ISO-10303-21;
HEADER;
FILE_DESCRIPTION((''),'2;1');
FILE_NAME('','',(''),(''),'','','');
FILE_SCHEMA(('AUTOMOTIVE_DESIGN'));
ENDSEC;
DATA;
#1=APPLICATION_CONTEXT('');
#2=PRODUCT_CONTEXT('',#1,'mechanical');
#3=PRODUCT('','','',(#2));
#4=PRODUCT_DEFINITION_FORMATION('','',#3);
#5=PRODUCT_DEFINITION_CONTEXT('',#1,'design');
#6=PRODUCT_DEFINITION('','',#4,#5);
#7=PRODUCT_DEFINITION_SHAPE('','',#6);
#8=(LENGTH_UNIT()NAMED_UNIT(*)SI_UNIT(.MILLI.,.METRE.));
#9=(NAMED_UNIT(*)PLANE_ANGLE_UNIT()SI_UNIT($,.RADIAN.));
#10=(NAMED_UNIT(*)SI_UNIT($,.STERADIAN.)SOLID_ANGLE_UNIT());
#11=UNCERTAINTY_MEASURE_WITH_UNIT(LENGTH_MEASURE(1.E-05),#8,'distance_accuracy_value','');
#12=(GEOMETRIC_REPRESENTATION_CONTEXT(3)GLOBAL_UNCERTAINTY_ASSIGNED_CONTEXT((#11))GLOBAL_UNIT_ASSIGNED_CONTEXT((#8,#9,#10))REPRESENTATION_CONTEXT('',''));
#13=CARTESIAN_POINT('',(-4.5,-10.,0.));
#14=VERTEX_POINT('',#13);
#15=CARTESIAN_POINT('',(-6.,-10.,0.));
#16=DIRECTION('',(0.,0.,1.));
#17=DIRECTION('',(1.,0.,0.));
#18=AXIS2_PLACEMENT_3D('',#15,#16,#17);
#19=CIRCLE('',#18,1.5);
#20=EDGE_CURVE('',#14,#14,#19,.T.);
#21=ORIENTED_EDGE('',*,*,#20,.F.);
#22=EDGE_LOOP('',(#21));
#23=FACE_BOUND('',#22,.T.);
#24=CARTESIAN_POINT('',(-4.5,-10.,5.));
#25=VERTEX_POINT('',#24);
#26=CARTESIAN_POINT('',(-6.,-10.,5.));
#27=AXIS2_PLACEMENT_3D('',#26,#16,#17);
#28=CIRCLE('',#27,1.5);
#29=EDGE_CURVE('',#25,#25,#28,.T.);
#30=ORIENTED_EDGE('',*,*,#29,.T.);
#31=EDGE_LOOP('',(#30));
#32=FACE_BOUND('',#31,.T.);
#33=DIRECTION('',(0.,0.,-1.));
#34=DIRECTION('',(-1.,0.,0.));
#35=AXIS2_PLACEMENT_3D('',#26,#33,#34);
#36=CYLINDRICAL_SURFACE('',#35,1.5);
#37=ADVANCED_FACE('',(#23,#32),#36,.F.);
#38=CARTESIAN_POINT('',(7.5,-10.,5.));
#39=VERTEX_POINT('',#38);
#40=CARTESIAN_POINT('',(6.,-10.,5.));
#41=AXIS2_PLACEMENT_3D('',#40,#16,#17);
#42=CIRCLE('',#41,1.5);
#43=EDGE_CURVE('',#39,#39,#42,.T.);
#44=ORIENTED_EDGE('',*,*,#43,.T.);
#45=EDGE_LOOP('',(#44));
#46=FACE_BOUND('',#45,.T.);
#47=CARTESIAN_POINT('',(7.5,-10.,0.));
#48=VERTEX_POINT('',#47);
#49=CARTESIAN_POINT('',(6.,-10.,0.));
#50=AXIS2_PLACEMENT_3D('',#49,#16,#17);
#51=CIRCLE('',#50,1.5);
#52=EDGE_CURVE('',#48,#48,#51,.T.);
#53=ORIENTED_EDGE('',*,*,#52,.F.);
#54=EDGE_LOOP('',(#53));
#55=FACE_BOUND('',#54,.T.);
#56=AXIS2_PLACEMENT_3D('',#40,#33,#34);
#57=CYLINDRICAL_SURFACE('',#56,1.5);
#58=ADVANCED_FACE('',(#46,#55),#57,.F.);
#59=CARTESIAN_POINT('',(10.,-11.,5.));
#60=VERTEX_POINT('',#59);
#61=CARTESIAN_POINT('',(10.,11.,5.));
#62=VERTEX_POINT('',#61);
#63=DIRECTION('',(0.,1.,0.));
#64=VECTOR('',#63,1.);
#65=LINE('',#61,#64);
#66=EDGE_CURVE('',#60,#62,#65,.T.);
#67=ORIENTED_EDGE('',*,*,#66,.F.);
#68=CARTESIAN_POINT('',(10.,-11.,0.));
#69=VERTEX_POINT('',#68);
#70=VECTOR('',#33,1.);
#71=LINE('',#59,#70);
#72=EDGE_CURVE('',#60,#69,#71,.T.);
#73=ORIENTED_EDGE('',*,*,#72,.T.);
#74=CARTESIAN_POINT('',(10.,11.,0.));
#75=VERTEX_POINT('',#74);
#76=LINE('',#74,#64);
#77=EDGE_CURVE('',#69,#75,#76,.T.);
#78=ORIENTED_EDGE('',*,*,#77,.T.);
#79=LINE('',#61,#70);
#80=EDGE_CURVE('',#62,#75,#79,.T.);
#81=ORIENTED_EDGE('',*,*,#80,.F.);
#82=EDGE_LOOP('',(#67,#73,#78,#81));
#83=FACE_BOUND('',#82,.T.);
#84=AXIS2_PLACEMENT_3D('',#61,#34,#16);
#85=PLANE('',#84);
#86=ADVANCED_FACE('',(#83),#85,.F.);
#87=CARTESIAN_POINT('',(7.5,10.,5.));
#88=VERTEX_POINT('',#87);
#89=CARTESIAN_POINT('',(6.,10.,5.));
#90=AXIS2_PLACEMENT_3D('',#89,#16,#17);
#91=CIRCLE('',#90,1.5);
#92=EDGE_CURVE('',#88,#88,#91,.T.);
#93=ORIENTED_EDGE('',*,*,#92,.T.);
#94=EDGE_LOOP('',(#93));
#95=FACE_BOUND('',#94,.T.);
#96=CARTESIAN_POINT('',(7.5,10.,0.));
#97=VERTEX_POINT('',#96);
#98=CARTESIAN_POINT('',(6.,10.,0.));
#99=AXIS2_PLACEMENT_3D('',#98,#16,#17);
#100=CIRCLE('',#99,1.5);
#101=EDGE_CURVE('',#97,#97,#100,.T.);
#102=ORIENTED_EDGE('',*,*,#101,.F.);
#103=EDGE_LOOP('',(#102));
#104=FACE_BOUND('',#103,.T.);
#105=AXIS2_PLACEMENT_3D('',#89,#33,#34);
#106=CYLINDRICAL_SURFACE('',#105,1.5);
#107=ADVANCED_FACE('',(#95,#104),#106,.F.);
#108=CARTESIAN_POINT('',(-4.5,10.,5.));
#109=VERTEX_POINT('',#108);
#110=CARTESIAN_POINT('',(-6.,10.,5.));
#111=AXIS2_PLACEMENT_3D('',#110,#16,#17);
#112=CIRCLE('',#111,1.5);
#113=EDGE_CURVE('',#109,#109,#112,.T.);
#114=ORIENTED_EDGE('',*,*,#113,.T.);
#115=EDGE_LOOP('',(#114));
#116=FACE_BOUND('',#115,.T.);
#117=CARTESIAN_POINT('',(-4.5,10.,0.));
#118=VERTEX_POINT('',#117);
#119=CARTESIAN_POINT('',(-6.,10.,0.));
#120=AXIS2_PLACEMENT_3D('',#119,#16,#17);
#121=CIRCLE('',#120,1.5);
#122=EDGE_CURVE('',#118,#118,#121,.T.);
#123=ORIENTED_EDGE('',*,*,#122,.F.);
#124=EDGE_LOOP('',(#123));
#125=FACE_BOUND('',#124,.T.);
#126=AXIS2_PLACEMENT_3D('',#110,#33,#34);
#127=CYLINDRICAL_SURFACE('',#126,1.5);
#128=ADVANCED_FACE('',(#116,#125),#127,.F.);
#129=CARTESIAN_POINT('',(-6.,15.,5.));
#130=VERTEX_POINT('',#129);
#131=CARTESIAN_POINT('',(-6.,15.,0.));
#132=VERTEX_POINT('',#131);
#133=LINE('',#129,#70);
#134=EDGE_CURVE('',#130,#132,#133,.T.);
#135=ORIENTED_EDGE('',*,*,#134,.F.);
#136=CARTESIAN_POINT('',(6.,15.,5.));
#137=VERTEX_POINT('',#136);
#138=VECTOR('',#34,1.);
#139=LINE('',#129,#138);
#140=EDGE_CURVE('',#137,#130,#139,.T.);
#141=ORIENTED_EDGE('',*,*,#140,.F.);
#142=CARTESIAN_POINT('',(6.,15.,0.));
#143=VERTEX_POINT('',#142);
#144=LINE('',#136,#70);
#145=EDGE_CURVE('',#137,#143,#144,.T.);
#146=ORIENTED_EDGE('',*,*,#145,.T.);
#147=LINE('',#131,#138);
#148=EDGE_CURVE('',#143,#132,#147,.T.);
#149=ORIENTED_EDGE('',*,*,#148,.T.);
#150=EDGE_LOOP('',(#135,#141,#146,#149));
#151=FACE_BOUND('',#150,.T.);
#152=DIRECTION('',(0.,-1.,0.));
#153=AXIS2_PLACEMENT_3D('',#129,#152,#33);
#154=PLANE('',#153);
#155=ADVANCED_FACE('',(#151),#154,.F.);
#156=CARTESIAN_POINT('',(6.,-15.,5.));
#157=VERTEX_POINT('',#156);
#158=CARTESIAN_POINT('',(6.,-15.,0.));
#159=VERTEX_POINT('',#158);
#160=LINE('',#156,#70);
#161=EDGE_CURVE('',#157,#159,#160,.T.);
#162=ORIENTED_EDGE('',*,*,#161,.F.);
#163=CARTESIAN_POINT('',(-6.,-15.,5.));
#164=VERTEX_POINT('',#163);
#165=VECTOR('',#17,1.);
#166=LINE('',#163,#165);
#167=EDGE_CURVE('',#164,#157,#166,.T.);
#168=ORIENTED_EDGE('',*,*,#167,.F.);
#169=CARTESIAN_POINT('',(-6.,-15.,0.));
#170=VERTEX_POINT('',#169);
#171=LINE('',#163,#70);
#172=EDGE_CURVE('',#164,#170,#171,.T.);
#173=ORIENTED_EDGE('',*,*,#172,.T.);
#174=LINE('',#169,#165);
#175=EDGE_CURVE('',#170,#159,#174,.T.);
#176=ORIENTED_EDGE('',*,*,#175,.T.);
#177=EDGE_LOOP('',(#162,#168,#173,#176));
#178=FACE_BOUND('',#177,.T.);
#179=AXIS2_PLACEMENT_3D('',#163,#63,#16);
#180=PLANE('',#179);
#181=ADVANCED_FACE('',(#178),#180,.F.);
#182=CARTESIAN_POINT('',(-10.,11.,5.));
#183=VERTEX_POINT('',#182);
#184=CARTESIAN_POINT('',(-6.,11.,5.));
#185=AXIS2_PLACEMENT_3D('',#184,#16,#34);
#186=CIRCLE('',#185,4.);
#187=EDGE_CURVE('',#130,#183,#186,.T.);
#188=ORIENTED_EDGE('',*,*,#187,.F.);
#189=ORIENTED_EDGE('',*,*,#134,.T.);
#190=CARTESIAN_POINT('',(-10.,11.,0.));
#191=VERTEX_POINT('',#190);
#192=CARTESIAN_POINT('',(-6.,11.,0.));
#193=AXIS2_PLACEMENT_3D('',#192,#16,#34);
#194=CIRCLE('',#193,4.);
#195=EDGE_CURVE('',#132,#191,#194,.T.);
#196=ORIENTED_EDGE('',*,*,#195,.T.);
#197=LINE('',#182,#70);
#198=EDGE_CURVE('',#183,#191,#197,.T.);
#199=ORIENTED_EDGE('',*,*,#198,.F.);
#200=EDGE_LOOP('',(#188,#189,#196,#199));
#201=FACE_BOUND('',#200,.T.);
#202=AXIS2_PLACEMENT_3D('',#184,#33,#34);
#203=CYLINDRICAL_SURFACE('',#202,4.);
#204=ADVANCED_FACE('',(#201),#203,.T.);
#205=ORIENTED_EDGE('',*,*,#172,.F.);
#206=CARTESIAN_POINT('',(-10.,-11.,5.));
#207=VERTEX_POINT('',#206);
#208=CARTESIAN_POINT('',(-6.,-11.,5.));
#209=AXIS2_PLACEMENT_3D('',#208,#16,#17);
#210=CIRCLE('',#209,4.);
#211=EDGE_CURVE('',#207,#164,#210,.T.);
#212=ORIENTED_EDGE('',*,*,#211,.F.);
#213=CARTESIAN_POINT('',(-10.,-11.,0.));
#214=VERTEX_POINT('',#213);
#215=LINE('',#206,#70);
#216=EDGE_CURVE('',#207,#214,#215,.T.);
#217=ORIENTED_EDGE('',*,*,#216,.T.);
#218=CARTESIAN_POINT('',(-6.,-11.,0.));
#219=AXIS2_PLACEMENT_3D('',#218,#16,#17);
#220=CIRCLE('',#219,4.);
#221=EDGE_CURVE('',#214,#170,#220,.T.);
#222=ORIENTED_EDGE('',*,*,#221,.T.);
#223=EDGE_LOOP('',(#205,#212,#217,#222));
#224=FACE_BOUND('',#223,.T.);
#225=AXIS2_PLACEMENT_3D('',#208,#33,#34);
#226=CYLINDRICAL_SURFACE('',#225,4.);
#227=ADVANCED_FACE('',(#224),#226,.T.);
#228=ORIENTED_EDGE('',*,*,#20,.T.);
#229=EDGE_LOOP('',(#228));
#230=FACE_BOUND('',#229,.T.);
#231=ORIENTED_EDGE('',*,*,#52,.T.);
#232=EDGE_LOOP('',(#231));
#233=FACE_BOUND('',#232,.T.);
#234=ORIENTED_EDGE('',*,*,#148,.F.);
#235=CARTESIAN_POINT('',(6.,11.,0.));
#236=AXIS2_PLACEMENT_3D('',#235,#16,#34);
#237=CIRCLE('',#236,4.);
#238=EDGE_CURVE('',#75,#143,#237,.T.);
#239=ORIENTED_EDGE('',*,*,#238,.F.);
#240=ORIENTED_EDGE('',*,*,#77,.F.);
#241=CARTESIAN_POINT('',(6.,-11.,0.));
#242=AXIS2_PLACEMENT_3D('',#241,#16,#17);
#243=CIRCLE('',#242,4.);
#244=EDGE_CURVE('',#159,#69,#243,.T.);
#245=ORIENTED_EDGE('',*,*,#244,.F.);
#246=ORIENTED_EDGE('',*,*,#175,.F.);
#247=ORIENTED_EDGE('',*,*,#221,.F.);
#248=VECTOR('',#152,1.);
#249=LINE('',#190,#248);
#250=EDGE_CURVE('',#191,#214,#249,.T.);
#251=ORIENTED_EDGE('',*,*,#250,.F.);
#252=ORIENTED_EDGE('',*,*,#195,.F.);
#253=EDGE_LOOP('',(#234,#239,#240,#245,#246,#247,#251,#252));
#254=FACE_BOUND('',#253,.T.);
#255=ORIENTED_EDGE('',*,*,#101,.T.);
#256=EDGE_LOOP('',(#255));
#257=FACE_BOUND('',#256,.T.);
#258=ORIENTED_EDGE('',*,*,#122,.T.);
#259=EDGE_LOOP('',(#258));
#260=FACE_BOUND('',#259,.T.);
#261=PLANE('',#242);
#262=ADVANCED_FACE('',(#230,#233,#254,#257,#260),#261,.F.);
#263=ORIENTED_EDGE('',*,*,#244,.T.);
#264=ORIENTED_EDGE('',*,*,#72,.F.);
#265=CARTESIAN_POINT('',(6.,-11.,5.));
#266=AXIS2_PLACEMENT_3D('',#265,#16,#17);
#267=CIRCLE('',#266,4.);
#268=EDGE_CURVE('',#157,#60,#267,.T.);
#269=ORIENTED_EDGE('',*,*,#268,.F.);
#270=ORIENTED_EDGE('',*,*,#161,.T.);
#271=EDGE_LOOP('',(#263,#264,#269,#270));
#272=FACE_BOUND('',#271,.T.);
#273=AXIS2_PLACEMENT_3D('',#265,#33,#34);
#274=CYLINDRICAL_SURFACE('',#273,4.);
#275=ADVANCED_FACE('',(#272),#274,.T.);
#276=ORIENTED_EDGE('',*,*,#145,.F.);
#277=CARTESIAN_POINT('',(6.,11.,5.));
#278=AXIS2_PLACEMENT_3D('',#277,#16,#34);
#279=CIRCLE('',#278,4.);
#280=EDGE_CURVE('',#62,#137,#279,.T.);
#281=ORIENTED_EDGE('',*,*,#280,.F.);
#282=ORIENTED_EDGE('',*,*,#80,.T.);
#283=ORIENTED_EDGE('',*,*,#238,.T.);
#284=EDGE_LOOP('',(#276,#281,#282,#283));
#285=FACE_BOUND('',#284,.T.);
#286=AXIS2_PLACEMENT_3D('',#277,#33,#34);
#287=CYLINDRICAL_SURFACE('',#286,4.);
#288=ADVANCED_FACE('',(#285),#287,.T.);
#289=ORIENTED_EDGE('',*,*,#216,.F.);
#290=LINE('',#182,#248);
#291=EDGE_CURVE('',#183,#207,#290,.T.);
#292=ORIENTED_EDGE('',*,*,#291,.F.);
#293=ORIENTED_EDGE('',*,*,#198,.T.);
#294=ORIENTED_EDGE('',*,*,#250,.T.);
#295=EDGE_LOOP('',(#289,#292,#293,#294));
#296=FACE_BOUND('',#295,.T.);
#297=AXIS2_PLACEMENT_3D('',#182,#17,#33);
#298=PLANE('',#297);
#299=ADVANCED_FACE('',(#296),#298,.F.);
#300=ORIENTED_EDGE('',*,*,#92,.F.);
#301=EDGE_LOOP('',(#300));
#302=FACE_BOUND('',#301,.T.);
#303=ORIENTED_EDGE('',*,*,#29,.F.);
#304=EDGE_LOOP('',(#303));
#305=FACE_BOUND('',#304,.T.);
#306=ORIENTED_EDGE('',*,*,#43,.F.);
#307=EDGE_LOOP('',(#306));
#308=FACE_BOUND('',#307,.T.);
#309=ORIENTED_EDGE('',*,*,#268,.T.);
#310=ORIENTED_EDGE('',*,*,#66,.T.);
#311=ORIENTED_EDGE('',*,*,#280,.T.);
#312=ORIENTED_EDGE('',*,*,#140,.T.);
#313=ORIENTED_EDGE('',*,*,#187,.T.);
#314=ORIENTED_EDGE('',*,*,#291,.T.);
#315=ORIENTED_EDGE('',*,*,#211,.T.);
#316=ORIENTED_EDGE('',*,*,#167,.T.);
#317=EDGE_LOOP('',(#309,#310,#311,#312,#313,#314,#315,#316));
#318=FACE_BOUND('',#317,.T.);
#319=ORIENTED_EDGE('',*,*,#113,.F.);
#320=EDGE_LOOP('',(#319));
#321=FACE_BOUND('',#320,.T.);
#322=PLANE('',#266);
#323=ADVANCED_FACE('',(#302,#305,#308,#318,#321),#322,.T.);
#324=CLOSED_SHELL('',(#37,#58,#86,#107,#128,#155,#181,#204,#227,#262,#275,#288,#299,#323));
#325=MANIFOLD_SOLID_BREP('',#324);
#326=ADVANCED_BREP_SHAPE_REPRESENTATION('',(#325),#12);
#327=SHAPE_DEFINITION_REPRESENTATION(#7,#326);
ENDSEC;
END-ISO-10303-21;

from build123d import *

# Parameters (mm, degrees)
SKETCH1_R           = 1.5
BOSS_EXTRUDE1_DEPTH = 5


with BuildPart() as part:
    # Sketch1 → Boss-Extrude1 (new body)
    with BuildSketch(Plane.XY):
        with BuildLine():
            Line((-6, 15), (6, 15))
            ThreePointArc((6, 15), (8.828427125, 13.828427125), (10, 11))
            Line((10, 11), (10, -11))
            ThreePointArc((10, -11), (8.828427125, -13.828427125), (6, -15))
            Line((6, -15), (-6, -15))
            ThreePointArc((-6, -15), (-8.828427125, -13.828427125), (-10, -11))
            Line((-10, -11), (-10, 11))
            ThreePointArc((-10, 11), (-8.828427125, 13.828427125), (-6, 15))
        make_face()
        with Locations((-6, 10)):
            Circle(SKETCH1_R, mode=Mode.SUBTRACT)
        with Locations((6, 10)):
            Circle(SKETCH1_R, mode=Mode.SUBTRACT)
        with Locations((-6, -10)):
            Circle(SKETCH1_R, mode=Mode.SUBTRACT)
        with Locations((6, -10)):
            Circle(SKETCH1_R, mode=Mode.SUBTRACT)
    extrude(amount=BOSS_EXTRUDE1_DEPTH)


solid = part.part
